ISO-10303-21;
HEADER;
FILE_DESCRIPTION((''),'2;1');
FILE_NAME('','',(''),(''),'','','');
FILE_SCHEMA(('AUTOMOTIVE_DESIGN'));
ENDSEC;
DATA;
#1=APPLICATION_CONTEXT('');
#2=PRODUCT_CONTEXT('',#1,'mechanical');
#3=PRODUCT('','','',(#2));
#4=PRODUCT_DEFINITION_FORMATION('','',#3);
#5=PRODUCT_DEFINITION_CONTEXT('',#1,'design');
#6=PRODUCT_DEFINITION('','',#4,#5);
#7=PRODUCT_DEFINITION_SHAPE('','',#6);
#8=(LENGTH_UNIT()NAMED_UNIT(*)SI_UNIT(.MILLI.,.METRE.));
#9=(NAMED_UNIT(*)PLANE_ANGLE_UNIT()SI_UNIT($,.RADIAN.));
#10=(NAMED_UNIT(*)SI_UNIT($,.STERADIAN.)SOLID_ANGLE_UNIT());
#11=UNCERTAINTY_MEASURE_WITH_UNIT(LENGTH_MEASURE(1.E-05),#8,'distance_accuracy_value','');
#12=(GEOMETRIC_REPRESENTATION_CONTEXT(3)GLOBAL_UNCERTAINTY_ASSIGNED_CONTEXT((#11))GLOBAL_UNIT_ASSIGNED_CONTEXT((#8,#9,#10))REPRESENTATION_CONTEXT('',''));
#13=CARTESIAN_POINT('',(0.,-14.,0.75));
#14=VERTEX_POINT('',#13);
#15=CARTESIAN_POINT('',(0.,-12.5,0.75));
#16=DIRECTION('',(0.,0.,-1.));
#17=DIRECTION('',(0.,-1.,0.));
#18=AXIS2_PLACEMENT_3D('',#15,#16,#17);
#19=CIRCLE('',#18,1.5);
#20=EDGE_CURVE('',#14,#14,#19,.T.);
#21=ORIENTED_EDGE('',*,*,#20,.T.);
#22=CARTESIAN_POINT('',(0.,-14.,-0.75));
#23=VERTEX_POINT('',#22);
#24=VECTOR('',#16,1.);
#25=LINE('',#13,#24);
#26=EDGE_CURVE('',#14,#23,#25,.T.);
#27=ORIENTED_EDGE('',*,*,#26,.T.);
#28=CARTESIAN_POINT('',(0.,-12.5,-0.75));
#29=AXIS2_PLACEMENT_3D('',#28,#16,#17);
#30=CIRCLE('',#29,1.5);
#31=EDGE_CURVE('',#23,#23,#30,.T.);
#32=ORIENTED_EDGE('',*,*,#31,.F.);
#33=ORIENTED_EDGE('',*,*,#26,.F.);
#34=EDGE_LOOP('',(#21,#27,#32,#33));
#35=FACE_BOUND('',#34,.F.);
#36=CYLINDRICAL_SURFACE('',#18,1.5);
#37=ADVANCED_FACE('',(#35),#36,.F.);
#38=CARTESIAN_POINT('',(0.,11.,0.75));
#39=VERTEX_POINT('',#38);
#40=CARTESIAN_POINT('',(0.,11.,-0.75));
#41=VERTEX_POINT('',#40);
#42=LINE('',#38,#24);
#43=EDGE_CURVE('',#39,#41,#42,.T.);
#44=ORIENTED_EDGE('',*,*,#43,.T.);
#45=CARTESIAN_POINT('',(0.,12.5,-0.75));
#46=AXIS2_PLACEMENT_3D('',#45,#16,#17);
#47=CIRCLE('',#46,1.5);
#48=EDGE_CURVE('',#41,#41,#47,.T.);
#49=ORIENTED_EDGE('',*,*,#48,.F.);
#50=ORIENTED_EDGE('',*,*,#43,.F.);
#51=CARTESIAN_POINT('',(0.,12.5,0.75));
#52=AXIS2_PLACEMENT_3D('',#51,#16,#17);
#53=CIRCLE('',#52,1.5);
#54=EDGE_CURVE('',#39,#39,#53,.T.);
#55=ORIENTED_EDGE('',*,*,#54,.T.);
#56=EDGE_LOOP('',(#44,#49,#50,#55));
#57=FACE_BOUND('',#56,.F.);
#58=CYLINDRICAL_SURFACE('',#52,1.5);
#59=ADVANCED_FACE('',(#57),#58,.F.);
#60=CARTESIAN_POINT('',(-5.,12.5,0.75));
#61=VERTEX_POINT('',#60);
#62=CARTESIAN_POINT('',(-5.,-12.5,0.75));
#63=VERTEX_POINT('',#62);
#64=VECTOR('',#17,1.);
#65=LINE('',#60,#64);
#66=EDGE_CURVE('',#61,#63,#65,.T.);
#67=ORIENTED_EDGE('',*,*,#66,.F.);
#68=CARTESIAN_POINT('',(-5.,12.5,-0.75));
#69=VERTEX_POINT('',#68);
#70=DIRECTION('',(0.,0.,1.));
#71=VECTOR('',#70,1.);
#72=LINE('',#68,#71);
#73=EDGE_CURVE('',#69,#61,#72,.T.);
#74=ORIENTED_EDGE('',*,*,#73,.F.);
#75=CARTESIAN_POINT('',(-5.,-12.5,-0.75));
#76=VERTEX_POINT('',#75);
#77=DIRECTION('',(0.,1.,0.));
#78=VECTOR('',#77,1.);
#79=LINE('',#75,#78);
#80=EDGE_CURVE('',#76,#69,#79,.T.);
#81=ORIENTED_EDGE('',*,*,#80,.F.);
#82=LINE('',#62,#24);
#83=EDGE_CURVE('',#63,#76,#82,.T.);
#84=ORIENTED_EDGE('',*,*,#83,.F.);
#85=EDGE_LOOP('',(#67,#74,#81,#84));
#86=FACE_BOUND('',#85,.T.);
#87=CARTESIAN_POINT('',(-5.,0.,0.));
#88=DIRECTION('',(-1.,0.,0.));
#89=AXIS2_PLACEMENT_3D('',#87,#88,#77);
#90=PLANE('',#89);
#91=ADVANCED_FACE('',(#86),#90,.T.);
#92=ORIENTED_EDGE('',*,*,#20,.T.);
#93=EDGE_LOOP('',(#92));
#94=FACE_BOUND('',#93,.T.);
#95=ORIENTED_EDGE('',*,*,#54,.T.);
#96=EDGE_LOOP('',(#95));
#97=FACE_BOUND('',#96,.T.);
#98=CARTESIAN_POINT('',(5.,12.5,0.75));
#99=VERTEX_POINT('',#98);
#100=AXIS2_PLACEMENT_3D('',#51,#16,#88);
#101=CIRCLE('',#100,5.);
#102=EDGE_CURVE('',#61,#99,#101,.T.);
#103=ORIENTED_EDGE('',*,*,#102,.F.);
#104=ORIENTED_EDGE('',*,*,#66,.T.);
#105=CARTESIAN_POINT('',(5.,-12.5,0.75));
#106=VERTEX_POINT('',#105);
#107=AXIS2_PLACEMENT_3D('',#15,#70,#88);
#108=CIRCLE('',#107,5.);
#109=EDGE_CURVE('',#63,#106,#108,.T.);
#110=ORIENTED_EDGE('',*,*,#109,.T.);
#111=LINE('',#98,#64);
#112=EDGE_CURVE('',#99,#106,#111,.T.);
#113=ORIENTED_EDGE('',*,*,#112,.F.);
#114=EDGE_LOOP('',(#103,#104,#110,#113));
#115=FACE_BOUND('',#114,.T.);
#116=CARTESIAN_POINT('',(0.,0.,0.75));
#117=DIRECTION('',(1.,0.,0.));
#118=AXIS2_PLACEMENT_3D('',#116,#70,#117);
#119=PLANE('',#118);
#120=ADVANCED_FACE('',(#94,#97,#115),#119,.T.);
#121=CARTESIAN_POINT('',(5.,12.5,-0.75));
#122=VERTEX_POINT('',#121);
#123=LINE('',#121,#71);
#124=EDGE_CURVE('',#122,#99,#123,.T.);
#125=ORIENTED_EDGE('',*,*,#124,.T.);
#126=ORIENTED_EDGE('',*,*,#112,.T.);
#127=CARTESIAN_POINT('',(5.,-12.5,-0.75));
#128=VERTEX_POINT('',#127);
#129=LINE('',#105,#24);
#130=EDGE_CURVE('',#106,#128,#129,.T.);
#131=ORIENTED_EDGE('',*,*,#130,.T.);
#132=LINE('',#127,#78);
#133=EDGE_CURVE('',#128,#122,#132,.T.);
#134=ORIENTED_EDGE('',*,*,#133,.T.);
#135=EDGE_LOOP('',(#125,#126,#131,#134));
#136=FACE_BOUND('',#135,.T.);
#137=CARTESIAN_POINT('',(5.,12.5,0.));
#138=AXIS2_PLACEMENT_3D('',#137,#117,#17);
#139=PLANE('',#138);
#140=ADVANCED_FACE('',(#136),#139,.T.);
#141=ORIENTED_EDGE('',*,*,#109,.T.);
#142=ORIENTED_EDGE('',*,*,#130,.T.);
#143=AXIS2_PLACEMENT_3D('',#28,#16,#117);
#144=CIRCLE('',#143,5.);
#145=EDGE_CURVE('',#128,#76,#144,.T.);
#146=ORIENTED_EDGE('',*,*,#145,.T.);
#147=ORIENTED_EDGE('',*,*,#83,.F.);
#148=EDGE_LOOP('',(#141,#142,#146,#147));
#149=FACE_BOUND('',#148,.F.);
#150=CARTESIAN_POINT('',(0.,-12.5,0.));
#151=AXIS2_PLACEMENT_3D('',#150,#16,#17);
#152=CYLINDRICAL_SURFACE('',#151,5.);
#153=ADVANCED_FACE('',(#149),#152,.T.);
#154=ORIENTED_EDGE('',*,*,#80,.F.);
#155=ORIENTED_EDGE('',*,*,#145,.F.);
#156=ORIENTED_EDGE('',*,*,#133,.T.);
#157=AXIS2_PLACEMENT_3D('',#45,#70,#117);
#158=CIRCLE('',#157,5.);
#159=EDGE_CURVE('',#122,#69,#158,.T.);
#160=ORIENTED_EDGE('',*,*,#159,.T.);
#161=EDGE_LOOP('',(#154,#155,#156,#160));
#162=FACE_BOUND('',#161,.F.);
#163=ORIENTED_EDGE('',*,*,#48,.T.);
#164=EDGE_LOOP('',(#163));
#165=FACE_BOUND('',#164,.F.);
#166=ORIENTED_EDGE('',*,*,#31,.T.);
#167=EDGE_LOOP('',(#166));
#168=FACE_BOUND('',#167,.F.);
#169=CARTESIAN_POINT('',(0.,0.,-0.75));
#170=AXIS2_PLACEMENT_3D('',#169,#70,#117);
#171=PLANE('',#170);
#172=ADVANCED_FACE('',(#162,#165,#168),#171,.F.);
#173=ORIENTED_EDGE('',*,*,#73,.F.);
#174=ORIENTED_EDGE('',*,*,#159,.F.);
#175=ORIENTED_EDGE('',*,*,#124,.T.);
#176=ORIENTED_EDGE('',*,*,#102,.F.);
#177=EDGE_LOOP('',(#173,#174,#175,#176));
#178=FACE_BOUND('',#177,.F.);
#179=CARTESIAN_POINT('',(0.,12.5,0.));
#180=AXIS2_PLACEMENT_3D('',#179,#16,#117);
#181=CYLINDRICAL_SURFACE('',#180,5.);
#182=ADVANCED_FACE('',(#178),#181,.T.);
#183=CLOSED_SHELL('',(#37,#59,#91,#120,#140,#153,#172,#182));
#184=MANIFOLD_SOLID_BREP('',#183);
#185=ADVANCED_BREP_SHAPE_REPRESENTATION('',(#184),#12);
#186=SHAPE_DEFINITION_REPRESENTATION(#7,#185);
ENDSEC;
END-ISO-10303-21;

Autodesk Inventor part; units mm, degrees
ref_plane "YZ Plane" through (0, 0, 0) normal (1, 0, 0) x (0, 1, 0)
ref_plane "XZ Plane" through (0, 0, 0) normal (0, 1, 0) x (-1, 0, 0)
ref_plane "XY Plane" through (0, 0, 0) normal (0, 0, 1) x (1, 0, 0)
sketch "Náčrt1" plane through (0, 0, 0) normal (0, 0, 1) x (1, 0, 0)
  line L0 (0, 17.5) -> (0, 17.5)
  line L1 (5, 12.5) -> (5, -12.5)
  line L2 (0, -17.5) -> (0, -17.5)
  line L3 (-5, -12.5) -> (-5, 12.5)
  line L4 (-8.4497, 0) -> (8.4497, 0) projected
  line L5 (0, 25.9497) -> (0, -25.9497) projected
  arc A0 (0, 17.5) -> (-5, 12.5) centre (0, 12.5) ccw
  arc A1 (5, 12.5) -> (0, 17.5) centre (0, 12.5) ccw
  arc A2 (0, -17.5) -> (5, -12.5) centre (0, -12.5) ccw
  arc A3 (-5, -12.5) -> (0, -17.5) centre (0, -12.5) ccw
  point P0 (0, 0)
  point P1 (-5, 17.5)
  point P2 (5, -17.5)
  point P3 (5, 17.5)
  dimension "d0" = 10
  dimension "d1" = 35
  dimension "d2" = 5
extrude "Vysunutí1" add sketch "Náčrt1" along normal mid plane 1.5
sketch "Náčrt2" plane through (0, 0, 0.75) normal (0, 0, 1) x (1, 0, 0)
  arc A0 (-5, -12.5) -> (5, -12.5) centre (0, -12.5) ccw projected
  line L0 (5, -12.5) -> (5, 12.5) projected
  arc A1 (5, 12.5) -> (-5, 12.5) centre (0, 12.5) ccw projected
  line L1 (-5, 12.5) -> (-5, -12.5) projected
  point P0 (0, 0)
hole "Díra1" at (0, 12.5, 0.75) at (0, -12.5, 0.75) direction (0, 0, -1) diameter 3 end through all
properties part number "lifter_free_end" material "Hliník 6061"
